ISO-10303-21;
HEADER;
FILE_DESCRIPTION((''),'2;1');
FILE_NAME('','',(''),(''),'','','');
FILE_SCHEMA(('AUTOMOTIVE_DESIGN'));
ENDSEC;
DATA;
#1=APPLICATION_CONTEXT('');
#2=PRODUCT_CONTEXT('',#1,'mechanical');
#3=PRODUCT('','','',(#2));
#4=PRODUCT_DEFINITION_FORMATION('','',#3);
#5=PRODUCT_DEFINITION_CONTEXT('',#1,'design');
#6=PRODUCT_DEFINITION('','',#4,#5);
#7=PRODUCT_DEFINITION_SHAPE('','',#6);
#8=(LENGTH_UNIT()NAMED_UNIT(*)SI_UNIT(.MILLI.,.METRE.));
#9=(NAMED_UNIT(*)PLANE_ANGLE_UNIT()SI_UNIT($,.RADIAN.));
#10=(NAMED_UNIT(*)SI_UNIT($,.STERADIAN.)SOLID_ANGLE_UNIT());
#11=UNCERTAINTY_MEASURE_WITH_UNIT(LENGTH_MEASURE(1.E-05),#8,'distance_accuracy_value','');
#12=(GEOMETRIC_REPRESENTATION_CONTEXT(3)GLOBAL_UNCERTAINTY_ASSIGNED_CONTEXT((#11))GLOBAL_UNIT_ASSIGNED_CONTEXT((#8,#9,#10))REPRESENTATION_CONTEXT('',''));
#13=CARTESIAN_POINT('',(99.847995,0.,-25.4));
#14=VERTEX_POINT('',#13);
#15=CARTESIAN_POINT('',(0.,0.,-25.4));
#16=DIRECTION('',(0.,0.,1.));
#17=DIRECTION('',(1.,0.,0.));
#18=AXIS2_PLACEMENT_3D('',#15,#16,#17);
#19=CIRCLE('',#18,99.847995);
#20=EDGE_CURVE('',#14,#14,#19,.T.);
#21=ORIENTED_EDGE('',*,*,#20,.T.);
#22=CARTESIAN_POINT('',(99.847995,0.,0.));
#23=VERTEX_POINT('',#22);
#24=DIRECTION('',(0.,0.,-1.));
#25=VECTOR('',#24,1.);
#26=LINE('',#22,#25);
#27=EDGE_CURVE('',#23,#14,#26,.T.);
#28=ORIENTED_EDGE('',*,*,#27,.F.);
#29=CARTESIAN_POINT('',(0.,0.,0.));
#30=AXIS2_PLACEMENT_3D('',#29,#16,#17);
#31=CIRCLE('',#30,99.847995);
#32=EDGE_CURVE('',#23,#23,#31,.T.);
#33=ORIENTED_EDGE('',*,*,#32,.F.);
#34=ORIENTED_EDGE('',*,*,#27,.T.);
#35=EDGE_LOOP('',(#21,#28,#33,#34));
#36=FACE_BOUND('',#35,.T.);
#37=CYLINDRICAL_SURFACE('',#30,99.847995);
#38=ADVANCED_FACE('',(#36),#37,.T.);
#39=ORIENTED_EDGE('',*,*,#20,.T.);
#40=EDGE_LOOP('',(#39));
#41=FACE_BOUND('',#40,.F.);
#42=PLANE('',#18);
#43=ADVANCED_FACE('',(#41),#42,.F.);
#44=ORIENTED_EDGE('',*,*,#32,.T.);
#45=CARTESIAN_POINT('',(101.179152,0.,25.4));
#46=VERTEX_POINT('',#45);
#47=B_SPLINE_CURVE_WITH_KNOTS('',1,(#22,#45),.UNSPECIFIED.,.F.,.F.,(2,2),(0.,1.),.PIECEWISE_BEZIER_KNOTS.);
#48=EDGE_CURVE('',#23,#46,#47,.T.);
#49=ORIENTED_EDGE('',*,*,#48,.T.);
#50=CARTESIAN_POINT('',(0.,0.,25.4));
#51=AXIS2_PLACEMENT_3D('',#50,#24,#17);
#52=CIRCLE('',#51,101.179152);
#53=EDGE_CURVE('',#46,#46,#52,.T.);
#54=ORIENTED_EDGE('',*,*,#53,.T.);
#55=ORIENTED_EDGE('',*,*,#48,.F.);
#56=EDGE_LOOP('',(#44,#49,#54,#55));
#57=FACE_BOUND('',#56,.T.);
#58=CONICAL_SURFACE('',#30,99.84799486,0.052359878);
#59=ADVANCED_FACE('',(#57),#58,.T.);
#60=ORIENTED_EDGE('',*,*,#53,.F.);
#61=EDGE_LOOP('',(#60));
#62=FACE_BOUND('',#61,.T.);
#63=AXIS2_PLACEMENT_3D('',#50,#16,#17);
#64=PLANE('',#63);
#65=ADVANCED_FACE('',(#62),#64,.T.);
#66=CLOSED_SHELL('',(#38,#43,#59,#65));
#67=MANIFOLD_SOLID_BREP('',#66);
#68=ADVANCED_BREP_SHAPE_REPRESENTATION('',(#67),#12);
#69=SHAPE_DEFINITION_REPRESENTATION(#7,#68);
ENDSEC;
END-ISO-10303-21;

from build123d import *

# Parameters (mm, degrees)
F0_R          = 99.8479948598
F1_DEPTH      = 25.4
F1_TAPER      = -3
F1_DEPTH_BACK = 25.4


with BuildPart() as f1:
    # F0 (on Top) → F1 (new body, two sides)
    with BuildSketch(Plane.XY) as f1_sk:
        Circle(F0_R)
    extrude(amount=F1_DEPTH, taper=F1_TAPER)
    extrude(f1_sk.sketch, amount=-F1_DEPTH_BACK)


solid = f1.part
